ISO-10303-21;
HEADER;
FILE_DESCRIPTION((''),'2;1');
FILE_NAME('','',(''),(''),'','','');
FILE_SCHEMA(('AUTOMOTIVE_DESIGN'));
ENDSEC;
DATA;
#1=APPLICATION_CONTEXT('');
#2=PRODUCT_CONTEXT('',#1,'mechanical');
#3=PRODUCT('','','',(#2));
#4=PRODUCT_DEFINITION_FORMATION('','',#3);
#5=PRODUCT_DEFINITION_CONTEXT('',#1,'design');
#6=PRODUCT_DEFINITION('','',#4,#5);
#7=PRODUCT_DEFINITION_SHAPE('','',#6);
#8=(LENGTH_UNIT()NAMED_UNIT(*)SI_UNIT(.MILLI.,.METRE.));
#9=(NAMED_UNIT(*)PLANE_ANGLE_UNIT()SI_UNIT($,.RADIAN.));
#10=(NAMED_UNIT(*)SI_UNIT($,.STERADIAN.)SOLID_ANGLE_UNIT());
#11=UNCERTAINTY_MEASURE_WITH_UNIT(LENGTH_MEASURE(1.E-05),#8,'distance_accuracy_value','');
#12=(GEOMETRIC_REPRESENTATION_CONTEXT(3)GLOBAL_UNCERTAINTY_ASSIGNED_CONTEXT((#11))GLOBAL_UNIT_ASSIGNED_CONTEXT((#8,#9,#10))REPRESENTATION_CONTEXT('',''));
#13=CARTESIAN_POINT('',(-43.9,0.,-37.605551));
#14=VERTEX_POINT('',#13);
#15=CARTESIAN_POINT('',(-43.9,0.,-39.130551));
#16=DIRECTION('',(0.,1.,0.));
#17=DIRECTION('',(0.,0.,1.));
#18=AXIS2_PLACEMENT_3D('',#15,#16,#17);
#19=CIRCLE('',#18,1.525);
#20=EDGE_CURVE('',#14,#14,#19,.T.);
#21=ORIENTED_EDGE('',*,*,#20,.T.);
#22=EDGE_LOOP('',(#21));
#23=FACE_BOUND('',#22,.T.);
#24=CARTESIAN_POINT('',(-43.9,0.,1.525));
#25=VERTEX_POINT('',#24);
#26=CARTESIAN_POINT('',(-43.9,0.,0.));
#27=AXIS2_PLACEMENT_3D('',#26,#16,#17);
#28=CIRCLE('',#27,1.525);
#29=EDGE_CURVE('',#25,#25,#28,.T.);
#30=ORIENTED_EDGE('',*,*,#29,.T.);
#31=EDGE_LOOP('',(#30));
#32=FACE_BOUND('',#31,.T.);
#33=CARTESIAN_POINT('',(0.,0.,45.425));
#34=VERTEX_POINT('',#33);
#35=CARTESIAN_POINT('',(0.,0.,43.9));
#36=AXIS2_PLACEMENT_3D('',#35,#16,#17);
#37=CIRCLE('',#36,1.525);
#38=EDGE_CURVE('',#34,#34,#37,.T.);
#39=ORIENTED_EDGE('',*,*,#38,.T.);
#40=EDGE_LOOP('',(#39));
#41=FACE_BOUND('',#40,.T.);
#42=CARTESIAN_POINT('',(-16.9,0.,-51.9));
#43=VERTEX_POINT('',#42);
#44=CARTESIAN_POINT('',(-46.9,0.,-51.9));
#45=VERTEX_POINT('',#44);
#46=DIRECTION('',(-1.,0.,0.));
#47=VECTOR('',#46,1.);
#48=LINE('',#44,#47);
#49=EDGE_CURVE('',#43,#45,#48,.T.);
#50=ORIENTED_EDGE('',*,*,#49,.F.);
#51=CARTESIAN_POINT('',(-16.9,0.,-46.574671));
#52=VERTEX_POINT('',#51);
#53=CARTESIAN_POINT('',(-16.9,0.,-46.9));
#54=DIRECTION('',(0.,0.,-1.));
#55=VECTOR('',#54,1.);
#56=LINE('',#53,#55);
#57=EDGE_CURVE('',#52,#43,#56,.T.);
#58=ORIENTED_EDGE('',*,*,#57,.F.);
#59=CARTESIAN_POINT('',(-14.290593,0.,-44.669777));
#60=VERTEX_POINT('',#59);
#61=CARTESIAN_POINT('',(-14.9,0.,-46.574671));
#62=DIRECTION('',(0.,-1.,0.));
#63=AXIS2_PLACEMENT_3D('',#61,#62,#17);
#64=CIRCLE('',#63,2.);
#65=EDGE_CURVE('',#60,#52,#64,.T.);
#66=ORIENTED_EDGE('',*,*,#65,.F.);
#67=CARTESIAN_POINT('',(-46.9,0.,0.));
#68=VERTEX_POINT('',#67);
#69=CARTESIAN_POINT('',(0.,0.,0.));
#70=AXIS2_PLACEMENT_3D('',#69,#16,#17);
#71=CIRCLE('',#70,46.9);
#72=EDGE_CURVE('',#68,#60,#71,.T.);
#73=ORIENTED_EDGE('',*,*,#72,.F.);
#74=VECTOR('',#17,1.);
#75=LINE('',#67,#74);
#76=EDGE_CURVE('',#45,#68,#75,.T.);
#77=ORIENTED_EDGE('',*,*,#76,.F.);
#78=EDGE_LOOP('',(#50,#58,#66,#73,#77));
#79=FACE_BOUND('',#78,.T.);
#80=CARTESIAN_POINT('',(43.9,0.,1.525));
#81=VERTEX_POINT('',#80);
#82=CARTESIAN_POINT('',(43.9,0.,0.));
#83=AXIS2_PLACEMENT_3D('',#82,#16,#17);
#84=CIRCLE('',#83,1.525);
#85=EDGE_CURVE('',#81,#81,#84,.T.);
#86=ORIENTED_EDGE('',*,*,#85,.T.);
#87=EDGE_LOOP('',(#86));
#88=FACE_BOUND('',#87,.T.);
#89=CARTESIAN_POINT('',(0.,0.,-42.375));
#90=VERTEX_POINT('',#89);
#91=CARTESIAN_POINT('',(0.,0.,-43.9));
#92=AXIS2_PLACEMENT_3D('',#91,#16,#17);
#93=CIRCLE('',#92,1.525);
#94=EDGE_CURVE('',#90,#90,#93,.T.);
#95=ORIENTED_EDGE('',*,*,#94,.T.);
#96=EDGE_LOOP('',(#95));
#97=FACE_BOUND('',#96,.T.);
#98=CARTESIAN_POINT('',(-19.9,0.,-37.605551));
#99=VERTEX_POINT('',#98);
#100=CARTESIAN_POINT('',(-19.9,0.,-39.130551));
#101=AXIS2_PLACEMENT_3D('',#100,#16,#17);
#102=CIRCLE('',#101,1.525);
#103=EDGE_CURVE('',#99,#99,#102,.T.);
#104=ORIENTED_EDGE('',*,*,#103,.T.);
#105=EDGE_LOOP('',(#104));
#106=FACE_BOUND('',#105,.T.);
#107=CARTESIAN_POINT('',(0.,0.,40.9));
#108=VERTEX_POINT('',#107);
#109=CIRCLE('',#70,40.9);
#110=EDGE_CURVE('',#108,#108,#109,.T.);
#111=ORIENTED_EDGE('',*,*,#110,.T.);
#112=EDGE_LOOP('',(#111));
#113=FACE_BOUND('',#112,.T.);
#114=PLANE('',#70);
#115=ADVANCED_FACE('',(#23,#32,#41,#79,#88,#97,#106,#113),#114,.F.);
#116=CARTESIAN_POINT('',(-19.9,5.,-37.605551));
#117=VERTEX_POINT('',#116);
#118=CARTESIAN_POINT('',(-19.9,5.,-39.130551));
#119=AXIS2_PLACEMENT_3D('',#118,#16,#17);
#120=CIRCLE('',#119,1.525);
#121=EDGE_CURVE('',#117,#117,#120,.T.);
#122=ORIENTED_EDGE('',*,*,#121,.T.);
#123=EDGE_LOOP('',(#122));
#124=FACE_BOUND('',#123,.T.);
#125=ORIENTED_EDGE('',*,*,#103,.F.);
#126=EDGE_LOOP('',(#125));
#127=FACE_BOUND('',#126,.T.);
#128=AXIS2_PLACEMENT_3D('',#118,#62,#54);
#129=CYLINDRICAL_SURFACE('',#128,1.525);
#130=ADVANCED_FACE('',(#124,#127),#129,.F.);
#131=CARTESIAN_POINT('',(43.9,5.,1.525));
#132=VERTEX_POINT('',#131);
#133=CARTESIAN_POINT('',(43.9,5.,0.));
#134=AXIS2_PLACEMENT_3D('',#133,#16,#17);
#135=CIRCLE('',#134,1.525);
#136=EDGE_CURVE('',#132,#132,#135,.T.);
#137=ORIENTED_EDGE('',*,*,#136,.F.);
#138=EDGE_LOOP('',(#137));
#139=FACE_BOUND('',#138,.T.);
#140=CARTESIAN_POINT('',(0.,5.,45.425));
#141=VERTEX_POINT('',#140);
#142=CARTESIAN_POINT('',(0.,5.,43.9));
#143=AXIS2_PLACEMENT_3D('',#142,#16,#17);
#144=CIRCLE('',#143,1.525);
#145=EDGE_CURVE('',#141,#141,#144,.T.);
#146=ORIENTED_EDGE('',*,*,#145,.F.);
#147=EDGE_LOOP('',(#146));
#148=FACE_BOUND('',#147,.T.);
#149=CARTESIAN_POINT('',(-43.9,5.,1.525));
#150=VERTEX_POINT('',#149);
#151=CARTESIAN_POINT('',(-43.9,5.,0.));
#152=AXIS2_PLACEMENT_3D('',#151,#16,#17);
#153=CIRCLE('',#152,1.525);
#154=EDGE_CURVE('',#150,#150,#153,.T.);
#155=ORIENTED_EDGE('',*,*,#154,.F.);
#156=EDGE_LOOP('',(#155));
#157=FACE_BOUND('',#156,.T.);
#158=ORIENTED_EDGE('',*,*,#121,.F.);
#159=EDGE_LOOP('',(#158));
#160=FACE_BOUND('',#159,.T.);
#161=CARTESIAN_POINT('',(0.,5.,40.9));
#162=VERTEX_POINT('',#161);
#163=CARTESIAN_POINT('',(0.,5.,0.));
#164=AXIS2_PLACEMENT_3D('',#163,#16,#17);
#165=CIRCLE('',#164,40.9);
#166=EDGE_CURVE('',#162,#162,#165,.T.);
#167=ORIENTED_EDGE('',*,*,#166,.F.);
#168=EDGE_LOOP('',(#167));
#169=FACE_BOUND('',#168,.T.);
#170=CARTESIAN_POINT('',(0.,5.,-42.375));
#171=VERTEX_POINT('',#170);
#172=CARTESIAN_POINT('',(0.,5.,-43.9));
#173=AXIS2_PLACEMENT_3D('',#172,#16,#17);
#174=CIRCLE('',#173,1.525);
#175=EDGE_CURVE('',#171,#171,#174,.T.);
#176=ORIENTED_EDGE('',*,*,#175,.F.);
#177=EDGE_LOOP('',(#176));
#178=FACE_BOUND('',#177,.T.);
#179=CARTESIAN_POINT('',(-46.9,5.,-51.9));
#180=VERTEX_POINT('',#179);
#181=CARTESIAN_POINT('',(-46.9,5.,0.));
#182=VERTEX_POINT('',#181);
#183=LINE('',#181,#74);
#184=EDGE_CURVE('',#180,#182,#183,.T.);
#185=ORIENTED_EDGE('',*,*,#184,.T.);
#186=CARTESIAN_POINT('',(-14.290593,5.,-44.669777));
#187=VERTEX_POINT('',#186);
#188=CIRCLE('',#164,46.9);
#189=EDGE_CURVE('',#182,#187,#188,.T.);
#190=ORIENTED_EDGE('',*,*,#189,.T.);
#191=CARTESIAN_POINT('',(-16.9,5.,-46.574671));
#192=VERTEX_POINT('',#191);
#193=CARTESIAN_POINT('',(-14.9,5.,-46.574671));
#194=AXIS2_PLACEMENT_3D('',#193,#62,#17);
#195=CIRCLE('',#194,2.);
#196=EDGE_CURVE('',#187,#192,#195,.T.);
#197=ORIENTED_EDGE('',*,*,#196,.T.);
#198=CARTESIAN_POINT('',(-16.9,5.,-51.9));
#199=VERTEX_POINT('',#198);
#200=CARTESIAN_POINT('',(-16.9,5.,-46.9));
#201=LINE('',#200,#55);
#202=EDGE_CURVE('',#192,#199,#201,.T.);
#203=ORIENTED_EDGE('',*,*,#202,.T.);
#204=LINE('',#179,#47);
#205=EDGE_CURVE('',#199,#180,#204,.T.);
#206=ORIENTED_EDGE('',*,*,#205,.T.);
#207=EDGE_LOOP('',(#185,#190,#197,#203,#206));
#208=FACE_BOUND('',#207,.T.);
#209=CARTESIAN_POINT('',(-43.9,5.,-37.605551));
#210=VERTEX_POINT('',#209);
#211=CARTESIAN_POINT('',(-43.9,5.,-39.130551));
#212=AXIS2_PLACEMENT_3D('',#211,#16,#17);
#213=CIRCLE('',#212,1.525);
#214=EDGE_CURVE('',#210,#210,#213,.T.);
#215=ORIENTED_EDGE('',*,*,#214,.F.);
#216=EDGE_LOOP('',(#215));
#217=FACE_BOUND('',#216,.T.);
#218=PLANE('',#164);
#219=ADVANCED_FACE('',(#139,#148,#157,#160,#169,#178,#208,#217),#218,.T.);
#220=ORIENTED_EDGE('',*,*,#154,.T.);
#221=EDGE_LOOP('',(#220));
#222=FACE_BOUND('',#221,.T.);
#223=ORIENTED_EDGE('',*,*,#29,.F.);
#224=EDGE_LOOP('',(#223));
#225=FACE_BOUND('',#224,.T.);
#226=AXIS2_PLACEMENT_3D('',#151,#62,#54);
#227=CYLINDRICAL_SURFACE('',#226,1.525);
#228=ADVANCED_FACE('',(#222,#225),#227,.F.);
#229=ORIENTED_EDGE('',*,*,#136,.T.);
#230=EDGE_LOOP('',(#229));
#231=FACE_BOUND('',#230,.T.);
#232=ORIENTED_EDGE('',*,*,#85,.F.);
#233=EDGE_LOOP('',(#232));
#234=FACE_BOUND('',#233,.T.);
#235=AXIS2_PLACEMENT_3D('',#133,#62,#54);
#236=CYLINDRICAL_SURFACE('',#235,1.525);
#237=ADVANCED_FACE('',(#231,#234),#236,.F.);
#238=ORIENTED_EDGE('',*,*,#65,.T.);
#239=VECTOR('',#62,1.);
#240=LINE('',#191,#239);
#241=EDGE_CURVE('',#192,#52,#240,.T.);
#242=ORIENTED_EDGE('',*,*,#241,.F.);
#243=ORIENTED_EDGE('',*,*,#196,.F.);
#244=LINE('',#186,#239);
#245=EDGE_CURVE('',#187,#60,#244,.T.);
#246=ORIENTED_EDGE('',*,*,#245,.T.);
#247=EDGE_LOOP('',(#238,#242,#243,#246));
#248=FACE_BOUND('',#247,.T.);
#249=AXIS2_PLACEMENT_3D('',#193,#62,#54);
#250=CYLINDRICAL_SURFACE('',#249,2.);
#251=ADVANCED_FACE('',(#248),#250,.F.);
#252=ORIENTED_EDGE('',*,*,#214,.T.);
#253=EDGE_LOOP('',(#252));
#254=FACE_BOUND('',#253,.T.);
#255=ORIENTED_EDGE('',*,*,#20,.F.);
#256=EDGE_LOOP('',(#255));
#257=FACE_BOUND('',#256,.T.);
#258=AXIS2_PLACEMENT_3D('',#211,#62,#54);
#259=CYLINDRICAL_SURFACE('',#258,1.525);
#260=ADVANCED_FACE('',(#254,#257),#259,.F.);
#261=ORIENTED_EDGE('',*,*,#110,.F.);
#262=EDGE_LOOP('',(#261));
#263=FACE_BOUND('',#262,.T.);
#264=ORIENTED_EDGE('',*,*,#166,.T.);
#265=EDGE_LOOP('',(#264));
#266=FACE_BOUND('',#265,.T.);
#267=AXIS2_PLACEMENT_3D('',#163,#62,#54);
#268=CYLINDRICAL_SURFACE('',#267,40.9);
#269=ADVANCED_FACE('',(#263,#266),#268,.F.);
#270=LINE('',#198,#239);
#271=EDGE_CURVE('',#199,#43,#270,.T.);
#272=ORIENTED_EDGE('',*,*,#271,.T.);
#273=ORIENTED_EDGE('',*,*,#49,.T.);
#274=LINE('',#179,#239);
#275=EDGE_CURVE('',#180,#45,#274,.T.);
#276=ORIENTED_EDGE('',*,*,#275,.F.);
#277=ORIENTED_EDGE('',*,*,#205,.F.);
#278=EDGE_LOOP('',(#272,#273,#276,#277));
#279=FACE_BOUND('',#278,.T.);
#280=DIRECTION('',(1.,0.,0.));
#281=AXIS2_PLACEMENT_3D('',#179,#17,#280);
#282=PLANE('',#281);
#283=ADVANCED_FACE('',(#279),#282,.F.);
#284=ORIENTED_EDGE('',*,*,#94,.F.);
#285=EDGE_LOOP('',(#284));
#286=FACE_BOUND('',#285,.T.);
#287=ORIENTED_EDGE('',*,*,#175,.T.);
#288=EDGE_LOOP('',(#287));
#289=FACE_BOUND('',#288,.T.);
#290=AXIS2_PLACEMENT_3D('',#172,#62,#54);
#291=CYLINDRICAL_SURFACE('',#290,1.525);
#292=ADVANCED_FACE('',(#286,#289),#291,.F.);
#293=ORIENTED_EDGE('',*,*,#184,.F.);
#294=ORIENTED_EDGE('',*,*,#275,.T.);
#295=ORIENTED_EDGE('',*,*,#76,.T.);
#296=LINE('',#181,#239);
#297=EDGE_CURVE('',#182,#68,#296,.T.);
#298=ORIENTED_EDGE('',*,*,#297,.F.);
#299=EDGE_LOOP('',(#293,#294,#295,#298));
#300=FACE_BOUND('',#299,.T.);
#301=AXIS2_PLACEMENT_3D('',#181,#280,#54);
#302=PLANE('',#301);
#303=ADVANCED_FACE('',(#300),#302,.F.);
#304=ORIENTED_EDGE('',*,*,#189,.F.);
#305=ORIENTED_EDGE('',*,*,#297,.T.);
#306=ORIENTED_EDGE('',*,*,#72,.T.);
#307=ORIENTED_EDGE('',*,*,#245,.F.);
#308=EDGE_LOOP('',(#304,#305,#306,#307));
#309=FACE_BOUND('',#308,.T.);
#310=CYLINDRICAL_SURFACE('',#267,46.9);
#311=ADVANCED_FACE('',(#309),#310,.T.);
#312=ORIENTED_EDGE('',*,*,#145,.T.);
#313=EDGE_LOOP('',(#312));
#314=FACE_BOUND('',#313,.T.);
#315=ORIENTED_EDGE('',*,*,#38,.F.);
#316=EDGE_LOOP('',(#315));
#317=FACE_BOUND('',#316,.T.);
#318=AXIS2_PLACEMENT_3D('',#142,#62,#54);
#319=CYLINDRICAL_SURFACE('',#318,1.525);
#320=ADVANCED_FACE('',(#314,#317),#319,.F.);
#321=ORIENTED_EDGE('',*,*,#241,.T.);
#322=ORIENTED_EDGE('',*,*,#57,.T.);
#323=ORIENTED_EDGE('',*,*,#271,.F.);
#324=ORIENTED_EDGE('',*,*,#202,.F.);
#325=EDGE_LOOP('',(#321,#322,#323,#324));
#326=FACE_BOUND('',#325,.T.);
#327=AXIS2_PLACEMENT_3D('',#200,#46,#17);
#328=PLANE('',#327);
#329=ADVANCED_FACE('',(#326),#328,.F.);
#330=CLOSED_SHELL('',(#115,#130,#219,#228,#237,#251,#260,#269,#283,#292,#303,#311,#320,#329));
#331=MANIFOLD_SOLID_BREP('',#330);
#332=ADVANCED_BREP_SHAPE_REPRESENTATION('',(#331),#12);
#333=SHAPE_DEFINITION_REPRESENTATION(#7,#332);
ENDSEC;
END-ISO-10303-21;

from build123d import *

# Parameters (mm, degrees)
SKETCH_1_R      = 40.9
SKETCH_1_R_2    = 1.525
EXTRUDE_1_DEPTH = 5
SKETCH_3_W      = 30
SKETCH_3_H      = 5
EXTRUDE_2_DEPTH = 5


with BuildPart() as part:
    # 草图1 → 凸台-拉伸1 (new body)
    with BuildSketch(Plane(origin=(0, 0, 0), x_dir=(1, 0, 0), z_dir=(0, 1, 0))):
        with BuildLine():
            Line((-46.9, 0), (-46.9, 46.9))
            Line((-46.9, 46.9), (-16.9, 46.9))
            Line((-16.9, 46.9), (-16.9, 46.574671228))
            ThreePointArc((-16.9, 46.574671228), (-16.079234093, 44.95930534), (-14.290593047, 44.669776699))
            ThreePointArc((-14.290593047, 44.669776699), (37.88033008, -27.65303949), (-46.9, 0))
        make_face()
        Circle(SKETCH_1_R, mode=Mode.SUBTRACT)
        with Locations((-19.9, 39.130550724)):
            Circle(SKETCH_1_R_2, mode=Mode.SUBTRACT)
        with Locations((0, 43.9)):
            Circle(SKETCH_1_R_2, mode=Mode.SUBTRACT)
        with Locations((43.9, 0)):
            Circle(SKETCH_1_R_2, mode=Mode.SUBTRACT)
        with Locations((0, -43.9)):
            Circle(SKETCH_1_R_2, mode=Mode.SUBTRACT)
        with Locations((-43.9, 0)):
            Circle(SKETCH_1_R_2, mode=Mode.SUBTRACT)
        with Locations((-43.9, 39.130550724)):
            Circle(SKETCH_1_R_2, mode=Mode.SUBTRACT)
    extrude(amount=EXTRUDE_1_DEPTH)

    # 草图3 → 凸台-拉伸2 (add)
    with BuildSketch(Plane(origin=(0, 0, 0), x_dir=(1, 0, 0), z_dir=(0, 1, 0))):
        with Locations((-31.9, 49.4)):
            Rectangle(SKETCH_3_W, SKETCH_3_H)
    extrude(amount=EXTRUDE_2_DEPTH)


solid = part.part
